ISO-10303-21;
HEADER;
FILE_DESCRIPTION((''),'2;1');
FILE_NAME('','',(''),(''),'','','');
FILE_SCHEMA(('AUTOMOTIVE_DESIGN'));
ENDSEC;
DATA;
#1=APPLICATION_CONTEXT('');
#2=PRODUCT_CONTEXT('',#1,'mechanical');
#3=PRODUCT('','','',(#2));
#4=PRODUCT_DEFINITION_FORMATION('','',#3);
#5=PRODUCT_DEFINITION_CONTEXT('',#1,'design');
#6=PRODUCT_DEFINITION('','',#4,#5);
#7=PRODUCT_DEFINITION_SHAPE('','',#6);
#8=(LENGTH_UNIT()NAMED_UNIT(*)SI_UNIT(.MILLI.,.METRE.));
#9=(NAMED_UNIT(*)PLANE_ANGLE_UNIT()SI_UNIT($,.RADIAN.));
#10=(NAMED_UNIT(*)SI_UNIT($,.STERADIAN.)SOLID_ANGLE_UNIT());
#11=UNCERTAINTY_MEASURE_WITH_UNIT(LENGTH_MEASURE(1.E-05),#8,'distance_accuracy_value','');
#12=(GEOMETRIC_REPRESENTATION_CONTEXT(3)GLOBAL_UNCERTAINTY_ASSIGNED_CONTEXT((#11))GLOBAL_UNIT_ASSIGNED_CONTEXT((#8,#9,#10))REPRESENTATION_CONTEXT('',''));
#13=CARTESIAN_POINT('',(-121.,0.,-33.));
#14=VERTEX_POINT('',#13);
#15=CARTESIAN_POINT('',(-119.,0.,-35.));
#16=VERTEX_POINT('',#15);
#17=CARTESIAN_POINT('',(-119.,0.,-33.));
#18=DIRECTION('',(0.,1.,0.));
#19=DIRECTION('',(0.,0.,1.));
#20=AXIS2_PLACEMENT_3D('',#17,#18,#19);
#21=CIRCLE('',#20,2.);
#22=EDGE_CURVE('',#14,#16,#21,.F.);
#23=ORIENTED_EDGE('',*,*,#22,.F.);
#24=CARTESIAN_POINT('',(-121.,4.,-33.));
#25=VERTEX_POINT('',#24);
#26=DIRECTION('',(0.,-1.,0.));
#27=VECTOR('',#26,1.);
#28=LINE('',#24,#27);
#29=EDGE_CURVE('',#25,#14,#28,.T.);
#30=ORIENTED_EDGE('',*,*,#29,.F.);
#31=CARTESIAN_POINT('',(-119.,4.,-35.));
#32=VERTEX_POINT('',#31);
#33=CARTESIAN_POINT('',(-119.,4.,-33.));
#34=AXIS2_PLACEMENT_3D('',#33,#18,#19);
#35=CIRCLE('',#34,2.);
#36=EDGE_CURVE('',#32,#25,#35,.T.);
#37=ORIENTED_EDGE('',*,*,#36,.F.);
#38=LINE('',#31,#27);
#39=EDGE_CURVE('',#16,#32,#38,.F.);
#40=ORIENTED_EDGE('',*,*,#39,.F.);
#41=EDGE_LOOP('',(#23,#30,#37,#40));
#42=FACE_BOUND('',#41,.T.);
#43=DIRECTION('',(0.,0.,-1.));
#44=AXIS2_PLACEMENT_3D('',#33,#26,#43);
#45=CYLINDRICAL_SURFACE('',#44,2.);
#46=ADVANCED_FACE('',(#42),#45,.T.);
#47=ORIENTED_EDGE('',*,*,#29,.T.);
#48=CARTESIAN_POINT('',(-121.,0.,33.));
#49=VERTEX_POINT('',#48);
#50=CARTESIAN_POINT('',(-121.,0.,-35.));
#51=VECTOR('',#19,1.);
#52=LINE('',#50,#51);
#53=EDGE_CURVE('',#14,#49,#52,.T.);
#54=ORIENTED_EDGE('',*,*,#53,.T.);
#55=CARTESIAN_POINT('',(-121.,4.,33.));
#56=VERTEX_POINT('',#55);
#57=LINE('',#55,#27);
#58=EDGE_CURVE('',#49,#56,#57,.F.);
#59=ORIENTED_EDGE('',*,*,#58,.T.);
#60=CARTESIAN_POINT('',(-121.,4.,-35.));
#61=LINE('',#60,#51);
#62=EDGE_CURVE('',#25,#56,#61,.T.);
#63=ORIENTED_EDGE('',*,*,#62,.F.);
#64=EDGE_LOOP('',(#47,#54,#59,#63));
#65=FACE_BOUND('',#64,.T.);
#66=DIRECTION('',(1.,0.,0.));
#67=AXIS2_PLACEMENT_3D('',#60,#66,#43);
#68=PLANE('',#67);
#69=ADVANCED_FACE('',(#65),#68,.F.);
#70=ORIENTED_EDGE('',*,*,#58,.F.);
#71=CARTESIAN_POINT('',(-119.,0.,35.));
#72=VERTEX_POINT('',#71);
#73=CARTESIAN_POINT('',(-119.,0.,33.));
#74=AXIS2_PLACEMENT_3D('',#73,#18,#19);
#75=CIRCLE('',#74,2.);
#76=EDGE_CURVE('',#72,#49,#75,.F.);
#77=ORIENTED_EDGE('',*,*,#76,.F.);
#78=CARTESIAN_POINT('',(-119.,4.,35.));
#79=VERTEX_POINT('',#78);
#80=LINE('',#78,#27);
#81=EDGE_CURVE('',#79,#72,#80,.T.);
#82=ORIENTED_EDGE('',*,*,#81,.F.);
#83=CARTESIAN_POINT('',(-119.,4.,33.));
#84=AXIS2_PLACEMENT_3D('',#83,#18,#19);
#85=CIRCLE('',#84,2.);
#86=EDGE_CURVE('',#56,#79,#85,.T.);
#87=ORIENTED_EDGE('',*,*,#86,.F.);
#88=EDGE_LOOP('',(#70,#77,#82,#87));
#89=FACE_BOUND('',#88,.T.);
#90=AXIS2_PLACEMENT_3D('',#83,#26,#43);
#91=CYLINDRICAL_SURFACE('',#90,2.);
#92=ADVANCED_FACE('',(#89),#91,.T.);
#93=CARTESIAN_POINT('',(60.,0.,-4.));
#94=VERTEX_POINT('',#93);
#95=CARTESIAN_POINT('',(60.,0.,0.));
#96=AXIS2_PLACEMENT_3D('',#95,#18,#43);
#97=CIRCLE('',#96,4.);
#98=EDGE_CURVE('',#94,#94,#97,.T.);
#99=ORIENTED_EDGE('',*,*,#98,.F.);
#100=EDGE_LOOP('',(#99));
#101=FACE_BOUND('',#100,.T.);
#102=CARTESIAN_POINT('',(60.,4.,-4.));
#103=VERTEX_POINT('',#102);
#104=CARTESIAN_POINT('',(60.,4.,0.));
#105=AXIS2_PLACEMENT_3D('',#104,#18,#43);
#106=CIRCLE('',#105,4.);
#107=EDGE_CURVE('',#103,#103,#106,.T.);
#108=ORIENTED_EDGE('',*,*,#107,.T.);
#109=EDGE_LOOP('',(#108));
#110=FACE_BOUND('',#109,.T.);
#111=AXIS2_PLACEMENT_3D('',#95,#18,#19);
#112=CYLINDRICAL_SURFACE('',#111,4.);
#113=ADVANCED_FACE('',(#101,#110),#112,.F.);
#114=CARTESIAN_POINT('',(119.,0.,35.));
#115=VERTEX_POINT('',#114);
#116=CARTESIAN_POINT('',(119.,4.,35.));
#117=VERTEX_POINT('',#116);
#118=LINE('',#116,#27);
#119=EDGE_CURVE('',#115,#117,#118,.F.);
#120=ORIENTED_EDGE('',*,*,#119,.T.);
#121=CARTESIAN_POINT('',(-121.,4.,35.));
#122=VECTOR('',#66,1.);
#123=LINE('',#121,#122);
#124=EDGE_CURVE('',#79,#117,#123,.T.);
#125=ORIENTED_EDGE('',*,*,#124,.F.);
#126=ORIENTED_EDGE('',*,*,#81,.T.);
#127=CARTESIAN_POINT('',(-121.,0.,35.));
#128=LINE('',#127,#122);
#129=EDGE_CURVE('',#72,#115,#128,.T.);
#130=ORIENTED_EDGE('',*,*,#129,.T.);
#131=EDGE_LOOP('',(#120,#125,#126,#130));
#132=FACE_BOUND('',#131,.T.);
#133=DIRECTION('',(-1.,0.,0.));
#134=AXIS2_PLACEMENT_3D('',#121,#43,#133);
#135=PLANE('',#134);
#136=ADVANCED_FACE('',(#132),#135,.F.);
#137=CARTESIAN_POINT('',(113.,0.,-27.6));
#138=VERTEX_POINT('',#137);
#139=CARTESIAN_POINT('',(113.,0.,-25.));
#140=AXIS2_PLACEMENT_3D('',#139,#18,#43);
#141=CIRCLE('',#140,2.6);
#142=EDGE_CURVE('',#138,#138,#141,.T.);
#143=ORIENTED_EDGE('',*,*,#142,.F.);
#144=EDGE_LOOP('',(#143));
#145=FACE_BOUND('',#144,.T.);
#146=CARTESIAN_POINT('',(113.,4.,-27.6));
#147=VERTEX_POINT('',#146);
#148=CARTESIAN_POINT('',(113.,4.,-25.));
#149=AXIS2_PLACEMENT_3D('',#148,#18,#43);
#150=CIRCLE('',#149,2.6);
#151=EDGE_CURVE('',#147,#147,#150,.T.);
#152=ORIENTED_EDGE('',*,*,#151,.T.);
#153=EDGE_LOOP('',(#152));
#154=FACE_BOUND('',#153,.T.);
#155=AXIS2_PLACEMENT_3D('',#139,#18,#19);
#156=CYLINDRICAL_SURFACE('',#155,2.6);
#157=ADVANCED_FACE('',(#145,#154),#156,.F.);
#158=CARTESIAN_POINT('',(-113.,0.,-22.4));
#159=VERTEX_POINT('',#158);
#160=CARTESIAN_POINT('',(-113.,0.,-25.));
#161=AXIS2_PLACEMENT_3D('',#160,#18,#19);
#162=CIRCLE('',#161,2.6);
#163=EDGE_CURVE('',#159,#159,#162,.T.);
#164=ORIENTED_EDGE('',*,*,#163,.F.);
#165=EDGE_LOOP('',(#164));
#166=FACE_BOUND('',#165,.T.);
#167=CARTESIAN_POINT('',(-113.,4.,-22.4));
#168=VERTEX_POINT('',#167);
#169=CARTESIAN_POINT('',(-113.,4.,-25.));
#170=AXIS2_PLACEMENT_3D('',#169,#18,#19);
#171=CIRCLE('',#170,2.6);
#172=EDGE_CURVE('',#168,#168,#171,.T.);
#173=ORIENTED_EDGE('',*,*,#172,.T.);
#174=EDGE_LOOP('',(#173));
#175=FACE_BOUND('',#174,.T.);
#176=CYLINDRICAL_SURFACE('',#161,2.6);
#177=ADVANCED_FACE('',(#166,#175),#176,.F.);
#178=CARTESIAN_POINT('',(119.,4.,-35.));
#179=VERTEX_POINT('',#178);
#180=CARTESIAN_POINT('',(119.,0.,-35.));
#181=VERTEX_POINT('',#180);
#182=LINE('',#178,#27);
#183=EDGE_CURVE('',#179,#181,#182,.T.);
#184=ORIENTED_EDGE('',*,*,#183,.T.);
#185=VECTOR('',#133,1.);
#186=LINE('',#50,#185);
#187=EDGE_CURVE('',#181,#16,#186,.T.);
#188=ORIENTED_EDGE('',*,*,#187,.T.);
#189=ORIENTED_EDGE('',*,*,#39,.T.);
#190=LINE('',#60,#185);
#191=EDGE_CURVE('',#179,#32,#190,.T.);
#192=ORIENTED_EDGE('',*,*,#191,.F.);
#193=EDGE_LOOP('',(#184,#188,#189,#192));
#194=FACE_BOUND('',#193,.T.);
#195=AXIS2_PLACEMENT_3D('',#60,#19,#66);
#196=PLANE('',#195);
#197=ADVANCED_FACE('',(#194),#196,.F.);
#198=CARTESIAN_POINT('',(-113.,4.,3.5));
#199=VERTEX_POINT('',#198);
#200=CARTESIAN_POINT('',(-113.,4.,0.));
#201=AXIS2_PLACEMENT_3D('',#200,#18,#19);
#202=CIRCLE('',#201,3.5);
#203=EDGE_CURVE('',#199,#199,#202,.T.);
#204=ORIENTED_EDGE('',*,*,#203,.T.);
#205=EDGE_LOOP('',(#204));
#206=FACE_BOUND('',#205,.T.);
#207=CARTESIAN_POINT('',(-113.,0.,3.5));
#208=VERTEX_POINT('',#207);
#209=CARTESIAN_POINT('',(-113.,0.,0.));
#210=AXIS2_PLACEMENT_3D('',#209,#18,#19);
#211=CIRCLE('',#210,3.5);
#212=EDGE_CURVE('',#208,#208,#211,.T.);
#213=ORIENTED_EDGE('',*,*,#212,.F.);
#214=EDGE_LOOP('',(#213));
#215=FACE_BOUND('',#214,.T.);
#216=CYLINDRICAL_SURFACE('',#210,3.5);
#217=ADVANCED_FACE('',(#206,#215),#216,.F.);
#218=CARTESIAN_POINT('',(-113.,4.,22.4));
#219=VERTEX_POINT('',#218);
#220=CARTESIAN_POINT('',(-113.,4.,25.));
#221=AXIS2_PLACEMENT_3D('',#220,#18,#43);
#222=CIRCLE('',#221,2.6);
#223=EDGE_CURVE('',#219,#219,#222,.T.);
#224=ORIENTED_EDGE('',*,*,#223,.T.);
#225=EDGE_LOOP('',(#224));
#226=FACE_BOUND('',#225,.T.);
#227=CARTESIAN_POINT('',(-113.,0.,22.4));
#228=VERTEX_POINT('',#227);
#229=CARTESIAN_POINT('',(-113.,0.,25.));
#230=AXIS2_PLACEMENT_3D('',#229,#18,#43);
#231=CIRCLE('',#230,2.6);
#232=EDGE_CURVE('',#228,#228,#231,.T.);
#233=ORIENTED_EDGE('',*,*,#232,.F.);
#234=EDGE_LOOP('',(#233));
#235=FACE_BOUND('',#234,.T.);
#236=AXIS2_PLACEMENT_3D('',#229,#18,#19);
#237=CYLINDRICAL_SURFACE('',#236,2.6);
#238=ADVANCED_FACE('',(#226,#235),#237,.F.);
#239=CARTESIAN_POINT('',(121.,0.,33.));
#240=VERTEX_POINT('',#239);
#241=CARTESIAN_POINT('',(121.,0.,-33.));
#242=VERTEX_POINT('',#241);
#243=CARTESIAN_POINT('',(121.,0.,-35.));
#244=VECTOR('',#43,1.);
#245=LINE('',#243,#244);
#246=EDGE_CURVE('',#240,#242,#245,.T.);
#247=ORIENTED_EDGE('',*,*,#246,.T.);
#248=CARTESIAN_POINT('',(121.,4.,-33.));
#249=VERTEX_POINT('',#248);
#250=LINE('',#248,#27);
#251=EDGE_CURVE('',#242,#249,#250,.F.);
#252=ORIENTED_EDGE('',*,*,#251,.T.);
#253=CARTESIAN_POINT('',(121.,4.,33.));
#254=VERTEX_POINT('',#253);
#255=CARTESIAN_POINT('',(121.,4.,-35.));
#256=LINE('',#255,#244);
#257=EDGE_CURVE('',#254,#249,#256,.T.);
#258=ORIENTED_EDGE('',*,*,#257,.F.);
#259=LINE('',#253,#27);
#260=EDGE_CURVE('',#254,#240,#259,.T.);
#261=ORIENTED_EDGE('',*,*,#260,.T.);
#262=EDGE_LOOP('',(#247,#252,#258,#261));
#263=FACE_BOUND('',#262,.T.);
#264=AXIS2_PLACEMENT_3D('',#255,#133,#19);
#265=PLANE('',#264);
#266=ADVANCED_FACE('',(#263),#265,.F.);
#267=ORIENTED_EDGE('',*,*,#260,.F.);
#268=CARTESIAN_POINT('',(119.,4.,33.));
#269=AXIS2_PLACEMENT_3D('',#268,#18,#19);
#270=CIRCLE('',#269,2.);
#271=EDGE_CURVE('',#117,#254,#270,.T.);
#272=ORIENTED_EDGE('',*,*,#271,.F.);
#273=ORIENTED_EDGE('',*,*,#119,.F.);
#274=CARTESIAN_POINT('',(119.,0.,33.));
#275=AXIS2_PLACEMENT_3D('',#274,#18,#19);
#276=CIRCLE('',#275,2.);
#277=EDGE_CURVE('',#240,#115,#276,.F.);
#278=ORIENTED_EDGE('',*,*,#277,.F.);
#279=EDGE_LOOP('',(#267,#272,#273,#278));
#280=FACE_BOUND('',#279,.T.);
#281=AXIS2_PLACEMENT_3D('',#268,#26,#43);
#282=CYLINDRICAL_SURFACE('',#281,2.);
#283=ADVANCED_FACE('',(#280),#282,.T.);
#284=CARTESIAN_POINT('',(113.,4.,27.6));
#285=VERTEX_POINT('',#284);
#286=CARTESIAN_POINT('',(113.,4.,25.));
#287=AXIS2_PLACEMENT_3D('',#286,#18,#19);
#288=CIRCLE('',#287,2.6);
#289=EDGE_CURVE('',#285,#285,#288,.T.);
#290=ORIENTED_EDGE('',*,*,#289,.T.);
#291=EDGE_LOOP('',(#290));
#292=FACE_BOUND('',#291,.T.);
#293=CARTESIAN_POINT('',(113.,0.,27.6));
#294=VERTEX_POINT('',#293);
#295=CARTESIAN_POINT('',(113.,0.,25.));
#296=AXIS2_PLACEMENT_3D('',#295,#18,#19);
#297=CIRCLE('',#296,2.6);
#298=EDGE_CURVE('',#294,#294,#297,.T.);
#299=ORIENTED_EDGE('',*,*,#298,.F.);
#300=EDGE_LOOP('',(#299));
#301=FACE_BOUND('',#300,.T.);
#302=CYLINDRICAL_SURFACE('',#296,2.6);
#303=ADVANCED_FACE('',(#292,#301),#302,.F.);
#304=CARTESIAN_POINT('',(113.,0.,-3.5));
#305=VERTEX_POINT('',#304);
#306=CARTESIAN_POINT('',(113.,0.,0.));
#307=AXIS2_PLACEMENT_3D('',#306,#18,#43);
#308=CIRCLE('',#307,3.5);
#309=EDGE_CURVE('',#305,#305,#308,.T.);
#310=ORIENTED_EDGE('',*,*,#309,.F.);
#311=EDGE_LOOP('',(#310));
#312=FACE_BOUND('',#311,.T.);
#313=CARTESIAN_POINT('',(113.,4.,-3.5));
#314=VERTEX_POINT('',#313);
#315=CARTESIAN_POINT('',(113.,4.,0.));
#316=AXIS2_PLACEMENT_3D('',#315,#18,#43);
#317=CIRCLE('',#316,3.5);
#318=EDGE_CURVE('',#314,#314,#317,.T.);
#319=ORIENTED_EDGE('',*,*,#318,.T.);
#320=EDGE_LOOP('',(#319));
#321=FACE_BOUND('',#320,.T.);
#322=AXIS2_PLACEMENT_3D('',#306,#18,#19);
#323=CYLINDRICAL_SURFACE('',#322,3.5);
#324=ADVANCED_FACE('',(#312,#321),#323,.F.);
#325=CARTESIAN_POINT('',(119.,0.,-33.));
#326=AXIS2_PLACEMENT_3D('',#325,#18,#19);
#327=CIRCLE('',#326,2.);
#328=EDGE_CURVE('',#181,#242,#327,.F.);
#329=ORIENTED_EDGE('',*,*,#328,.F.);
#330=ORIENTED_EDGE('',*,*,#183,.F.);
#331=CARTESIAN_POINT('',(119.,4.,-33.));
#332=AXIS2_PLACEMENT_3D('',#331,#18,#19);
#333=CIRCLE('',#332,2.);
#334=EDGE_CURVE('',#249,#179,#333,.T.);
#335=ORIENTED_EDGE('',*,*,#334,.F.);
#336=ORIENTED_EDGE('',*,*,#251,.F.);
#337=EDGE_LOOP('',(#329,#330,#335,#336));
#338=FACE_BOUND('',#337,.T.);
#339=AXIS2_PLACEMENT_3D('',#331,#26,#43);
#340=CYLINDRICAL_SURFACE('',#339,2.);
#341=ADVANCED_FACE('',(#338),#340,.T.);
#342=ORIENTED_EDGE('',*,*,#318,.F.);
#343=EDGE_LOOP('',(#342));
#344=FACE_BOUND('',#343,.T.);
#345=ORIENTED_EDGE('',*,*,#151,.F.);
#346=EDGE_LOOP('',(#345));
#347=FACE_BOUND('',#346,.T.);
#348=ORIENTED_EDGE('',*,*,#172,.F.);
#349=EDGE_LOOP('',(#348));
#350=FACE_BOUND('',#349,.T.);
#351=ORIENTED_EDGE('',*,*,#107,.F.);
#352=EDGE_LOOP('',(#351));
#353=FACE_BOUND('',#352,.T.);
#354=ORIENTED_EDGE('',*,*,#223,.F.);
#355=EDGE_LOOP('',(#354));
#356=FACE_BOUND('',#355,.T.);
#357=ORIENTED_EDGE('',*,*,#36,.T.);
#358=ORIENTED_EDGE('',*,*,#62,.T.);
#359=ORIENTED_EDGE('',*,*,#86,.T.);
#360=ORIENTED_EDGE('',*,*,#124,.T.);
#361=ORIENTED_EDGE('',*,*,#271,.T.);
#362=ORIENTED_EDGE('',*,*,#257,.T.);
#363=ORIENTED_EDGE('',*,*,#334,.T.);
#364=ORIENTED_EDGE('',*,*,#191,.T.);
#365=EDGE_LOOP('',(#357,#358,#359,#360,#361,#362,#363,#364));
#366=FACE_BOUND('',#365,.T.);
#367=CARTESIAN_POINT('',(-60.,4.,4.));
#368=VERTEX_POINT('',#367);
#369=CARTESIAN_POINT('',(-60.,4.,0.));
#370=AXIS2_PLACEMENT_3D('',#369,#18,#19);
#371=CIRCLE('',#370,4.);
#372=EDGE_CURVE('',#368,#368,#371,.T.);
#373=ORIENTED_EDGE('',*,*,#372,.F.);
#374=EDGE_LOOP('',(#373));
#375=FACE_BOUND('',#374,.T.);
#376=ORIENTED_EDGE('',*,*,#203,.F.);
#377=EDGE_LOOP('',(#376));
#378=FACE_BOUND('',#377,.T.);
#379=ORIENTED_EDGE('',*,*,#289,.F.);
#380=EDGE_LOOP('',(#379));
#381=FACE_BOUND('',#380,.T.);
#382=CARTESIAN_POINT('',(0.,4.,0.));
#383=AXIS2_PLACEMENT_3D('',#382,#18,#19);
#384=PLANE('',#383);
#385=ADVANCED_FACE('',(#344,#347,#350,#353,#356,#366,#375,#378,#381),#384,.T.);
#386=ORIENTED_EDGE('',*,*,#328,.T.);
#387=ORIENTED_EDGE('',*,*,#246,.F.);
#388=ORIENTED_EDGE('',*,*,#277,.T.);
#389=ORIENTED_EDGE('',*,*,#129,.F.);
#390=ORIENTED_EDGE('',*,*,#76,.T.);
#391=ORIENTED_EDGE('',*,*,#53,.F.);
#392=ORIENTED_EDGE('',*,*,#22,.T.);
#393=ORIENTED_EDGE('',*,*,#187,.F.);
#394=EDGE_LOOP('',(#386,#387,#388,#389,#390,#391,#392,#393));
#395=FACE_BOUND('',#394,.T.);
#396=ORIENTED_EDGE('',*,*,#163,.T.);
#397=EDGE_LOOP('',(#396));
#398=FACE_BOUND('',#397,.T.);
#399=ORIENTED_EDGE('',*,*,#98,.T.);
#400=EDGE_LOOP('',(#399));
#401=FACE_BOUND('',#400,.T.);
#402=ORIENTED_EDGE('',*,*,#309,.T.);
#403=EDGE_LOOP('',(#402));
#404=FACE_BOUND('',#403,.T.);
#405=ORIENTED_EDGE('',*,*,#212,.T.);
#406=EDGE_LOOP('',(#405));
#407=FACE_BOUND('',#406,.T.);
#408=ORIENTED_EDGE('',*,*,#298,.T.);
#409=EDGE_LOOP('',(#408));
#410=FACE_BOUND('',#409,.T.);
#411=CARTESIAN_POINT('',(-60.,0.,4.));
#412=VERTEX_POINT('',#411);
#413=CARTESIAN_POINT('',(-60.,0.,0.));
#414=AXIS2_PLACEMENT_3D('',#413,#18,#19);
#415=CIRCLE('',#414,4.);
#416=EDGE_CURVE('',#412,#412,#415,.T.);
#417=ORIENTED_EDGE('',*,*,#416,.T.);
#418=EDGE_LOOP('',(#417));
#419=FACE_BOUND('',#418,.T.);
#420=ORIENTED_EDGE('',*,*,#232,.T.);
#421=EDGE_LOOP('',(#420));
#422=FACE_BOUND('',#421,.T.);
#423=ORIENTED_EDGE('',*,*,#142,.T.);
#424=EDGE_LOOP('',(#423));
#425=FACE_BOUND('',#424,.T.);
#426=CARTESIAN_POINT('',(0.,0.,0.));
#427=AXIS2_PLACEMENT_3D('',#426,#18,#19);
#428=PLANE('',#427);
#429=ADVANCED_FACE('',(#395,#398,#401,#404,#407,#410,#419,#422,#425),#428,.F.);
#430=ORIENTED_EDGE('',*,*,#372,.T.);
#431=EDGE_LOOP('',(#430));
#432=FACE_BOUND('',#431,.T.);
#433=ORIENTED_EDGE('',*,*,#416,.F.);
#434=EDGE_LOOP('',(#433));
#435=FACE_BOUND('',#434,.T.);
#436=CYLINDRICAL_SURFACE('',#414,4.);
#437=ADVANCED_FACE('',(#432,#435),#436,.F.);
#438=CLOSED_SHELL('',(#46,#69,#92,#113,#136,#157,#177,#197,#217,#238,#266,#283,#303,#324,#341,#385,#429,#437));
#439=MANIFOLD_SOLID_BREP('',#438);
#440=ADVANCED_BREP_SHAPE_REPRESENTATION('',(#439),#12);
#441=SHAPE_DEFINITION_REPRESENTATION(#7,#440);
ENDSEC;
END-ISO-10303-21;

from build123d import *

# Parameters (mm, degrees)
SKETCH_1_W          = 242
SKETCH_1_H          = 70
EXTRUDE_1_DEPTH     = 4
SKETCH_2_R          = 2.6
SKETCH_2_R_2        = 4
SKETCH_2_R_3        = 3.5
CUT_EXTRUDE_1_DEPTH = 4
FILLET_1_R          = 2


with BuildPart() as part:
    # 草图1 → 凸台-拉伸1 (new body)
    with BuildSketch(Plane(origin=(0, 0, 0), x_dir=(1, 0, 0), z_dir=(0, 1, 0))):
        Rectangle(SKETCH_1_W, SKETCH_1_H)
    extrude(amount=EXTRUDE_1_DEPTH)

    # 草图2 → 切除-拉伸1 (cut)
    with BuildSketch(Plane(origin=(0, 4, 0), x_dir=(1, 0, 0), z_dir=(0, 1, 0))):
        with Locations(Location((-113, 25, 0), (0, 0, 270))):
            Circle(SKETCH_2_R)
        with Locations(Location((-113, -25, 0), (0, 0, 90))):
            Circle(SKETCH_2_R)
        with Locations(Location((113, -25, 0), (0, 0, 270))):
            Circle(SKETCH_2_R)
        with Locations(Location((113, 25, 0), (0, 0, 90))):
            Circle(SKETCH_2_R)
        with Locations(Location((-60, 0, 0), (0, 0, 270))):
            Circle(SKETCH_2_R_2)
        with Locations(Location((60, 0, 0), (0, 0, 90))):
            Circle(SKETCH_2_R_2)
        with Locations(Location((-113, 0, 0), (0, 0, 270))):
            Circle(SKETCH_2_R_3)
        with Locations(Location((113, 0, 0), (0, 0, 90))):
            Circle(SKETCH_2_R_3)
    extrude(amount=-CUT_EXTRUDE_1_DEPTH, mode=Mode.SUBTRACT)

    # 圆角1
    fillet_1_edges = [part.edges().sort_by_distance(p)[0] for p in [
        (121, 2, 35),
        (-121, 2, 35),
        (-121, 2, -35),
        (121, 2, -35),
    ]]
    fillet(fillet_1_edges, radius=FILLET_1_R)


solid = part.part
